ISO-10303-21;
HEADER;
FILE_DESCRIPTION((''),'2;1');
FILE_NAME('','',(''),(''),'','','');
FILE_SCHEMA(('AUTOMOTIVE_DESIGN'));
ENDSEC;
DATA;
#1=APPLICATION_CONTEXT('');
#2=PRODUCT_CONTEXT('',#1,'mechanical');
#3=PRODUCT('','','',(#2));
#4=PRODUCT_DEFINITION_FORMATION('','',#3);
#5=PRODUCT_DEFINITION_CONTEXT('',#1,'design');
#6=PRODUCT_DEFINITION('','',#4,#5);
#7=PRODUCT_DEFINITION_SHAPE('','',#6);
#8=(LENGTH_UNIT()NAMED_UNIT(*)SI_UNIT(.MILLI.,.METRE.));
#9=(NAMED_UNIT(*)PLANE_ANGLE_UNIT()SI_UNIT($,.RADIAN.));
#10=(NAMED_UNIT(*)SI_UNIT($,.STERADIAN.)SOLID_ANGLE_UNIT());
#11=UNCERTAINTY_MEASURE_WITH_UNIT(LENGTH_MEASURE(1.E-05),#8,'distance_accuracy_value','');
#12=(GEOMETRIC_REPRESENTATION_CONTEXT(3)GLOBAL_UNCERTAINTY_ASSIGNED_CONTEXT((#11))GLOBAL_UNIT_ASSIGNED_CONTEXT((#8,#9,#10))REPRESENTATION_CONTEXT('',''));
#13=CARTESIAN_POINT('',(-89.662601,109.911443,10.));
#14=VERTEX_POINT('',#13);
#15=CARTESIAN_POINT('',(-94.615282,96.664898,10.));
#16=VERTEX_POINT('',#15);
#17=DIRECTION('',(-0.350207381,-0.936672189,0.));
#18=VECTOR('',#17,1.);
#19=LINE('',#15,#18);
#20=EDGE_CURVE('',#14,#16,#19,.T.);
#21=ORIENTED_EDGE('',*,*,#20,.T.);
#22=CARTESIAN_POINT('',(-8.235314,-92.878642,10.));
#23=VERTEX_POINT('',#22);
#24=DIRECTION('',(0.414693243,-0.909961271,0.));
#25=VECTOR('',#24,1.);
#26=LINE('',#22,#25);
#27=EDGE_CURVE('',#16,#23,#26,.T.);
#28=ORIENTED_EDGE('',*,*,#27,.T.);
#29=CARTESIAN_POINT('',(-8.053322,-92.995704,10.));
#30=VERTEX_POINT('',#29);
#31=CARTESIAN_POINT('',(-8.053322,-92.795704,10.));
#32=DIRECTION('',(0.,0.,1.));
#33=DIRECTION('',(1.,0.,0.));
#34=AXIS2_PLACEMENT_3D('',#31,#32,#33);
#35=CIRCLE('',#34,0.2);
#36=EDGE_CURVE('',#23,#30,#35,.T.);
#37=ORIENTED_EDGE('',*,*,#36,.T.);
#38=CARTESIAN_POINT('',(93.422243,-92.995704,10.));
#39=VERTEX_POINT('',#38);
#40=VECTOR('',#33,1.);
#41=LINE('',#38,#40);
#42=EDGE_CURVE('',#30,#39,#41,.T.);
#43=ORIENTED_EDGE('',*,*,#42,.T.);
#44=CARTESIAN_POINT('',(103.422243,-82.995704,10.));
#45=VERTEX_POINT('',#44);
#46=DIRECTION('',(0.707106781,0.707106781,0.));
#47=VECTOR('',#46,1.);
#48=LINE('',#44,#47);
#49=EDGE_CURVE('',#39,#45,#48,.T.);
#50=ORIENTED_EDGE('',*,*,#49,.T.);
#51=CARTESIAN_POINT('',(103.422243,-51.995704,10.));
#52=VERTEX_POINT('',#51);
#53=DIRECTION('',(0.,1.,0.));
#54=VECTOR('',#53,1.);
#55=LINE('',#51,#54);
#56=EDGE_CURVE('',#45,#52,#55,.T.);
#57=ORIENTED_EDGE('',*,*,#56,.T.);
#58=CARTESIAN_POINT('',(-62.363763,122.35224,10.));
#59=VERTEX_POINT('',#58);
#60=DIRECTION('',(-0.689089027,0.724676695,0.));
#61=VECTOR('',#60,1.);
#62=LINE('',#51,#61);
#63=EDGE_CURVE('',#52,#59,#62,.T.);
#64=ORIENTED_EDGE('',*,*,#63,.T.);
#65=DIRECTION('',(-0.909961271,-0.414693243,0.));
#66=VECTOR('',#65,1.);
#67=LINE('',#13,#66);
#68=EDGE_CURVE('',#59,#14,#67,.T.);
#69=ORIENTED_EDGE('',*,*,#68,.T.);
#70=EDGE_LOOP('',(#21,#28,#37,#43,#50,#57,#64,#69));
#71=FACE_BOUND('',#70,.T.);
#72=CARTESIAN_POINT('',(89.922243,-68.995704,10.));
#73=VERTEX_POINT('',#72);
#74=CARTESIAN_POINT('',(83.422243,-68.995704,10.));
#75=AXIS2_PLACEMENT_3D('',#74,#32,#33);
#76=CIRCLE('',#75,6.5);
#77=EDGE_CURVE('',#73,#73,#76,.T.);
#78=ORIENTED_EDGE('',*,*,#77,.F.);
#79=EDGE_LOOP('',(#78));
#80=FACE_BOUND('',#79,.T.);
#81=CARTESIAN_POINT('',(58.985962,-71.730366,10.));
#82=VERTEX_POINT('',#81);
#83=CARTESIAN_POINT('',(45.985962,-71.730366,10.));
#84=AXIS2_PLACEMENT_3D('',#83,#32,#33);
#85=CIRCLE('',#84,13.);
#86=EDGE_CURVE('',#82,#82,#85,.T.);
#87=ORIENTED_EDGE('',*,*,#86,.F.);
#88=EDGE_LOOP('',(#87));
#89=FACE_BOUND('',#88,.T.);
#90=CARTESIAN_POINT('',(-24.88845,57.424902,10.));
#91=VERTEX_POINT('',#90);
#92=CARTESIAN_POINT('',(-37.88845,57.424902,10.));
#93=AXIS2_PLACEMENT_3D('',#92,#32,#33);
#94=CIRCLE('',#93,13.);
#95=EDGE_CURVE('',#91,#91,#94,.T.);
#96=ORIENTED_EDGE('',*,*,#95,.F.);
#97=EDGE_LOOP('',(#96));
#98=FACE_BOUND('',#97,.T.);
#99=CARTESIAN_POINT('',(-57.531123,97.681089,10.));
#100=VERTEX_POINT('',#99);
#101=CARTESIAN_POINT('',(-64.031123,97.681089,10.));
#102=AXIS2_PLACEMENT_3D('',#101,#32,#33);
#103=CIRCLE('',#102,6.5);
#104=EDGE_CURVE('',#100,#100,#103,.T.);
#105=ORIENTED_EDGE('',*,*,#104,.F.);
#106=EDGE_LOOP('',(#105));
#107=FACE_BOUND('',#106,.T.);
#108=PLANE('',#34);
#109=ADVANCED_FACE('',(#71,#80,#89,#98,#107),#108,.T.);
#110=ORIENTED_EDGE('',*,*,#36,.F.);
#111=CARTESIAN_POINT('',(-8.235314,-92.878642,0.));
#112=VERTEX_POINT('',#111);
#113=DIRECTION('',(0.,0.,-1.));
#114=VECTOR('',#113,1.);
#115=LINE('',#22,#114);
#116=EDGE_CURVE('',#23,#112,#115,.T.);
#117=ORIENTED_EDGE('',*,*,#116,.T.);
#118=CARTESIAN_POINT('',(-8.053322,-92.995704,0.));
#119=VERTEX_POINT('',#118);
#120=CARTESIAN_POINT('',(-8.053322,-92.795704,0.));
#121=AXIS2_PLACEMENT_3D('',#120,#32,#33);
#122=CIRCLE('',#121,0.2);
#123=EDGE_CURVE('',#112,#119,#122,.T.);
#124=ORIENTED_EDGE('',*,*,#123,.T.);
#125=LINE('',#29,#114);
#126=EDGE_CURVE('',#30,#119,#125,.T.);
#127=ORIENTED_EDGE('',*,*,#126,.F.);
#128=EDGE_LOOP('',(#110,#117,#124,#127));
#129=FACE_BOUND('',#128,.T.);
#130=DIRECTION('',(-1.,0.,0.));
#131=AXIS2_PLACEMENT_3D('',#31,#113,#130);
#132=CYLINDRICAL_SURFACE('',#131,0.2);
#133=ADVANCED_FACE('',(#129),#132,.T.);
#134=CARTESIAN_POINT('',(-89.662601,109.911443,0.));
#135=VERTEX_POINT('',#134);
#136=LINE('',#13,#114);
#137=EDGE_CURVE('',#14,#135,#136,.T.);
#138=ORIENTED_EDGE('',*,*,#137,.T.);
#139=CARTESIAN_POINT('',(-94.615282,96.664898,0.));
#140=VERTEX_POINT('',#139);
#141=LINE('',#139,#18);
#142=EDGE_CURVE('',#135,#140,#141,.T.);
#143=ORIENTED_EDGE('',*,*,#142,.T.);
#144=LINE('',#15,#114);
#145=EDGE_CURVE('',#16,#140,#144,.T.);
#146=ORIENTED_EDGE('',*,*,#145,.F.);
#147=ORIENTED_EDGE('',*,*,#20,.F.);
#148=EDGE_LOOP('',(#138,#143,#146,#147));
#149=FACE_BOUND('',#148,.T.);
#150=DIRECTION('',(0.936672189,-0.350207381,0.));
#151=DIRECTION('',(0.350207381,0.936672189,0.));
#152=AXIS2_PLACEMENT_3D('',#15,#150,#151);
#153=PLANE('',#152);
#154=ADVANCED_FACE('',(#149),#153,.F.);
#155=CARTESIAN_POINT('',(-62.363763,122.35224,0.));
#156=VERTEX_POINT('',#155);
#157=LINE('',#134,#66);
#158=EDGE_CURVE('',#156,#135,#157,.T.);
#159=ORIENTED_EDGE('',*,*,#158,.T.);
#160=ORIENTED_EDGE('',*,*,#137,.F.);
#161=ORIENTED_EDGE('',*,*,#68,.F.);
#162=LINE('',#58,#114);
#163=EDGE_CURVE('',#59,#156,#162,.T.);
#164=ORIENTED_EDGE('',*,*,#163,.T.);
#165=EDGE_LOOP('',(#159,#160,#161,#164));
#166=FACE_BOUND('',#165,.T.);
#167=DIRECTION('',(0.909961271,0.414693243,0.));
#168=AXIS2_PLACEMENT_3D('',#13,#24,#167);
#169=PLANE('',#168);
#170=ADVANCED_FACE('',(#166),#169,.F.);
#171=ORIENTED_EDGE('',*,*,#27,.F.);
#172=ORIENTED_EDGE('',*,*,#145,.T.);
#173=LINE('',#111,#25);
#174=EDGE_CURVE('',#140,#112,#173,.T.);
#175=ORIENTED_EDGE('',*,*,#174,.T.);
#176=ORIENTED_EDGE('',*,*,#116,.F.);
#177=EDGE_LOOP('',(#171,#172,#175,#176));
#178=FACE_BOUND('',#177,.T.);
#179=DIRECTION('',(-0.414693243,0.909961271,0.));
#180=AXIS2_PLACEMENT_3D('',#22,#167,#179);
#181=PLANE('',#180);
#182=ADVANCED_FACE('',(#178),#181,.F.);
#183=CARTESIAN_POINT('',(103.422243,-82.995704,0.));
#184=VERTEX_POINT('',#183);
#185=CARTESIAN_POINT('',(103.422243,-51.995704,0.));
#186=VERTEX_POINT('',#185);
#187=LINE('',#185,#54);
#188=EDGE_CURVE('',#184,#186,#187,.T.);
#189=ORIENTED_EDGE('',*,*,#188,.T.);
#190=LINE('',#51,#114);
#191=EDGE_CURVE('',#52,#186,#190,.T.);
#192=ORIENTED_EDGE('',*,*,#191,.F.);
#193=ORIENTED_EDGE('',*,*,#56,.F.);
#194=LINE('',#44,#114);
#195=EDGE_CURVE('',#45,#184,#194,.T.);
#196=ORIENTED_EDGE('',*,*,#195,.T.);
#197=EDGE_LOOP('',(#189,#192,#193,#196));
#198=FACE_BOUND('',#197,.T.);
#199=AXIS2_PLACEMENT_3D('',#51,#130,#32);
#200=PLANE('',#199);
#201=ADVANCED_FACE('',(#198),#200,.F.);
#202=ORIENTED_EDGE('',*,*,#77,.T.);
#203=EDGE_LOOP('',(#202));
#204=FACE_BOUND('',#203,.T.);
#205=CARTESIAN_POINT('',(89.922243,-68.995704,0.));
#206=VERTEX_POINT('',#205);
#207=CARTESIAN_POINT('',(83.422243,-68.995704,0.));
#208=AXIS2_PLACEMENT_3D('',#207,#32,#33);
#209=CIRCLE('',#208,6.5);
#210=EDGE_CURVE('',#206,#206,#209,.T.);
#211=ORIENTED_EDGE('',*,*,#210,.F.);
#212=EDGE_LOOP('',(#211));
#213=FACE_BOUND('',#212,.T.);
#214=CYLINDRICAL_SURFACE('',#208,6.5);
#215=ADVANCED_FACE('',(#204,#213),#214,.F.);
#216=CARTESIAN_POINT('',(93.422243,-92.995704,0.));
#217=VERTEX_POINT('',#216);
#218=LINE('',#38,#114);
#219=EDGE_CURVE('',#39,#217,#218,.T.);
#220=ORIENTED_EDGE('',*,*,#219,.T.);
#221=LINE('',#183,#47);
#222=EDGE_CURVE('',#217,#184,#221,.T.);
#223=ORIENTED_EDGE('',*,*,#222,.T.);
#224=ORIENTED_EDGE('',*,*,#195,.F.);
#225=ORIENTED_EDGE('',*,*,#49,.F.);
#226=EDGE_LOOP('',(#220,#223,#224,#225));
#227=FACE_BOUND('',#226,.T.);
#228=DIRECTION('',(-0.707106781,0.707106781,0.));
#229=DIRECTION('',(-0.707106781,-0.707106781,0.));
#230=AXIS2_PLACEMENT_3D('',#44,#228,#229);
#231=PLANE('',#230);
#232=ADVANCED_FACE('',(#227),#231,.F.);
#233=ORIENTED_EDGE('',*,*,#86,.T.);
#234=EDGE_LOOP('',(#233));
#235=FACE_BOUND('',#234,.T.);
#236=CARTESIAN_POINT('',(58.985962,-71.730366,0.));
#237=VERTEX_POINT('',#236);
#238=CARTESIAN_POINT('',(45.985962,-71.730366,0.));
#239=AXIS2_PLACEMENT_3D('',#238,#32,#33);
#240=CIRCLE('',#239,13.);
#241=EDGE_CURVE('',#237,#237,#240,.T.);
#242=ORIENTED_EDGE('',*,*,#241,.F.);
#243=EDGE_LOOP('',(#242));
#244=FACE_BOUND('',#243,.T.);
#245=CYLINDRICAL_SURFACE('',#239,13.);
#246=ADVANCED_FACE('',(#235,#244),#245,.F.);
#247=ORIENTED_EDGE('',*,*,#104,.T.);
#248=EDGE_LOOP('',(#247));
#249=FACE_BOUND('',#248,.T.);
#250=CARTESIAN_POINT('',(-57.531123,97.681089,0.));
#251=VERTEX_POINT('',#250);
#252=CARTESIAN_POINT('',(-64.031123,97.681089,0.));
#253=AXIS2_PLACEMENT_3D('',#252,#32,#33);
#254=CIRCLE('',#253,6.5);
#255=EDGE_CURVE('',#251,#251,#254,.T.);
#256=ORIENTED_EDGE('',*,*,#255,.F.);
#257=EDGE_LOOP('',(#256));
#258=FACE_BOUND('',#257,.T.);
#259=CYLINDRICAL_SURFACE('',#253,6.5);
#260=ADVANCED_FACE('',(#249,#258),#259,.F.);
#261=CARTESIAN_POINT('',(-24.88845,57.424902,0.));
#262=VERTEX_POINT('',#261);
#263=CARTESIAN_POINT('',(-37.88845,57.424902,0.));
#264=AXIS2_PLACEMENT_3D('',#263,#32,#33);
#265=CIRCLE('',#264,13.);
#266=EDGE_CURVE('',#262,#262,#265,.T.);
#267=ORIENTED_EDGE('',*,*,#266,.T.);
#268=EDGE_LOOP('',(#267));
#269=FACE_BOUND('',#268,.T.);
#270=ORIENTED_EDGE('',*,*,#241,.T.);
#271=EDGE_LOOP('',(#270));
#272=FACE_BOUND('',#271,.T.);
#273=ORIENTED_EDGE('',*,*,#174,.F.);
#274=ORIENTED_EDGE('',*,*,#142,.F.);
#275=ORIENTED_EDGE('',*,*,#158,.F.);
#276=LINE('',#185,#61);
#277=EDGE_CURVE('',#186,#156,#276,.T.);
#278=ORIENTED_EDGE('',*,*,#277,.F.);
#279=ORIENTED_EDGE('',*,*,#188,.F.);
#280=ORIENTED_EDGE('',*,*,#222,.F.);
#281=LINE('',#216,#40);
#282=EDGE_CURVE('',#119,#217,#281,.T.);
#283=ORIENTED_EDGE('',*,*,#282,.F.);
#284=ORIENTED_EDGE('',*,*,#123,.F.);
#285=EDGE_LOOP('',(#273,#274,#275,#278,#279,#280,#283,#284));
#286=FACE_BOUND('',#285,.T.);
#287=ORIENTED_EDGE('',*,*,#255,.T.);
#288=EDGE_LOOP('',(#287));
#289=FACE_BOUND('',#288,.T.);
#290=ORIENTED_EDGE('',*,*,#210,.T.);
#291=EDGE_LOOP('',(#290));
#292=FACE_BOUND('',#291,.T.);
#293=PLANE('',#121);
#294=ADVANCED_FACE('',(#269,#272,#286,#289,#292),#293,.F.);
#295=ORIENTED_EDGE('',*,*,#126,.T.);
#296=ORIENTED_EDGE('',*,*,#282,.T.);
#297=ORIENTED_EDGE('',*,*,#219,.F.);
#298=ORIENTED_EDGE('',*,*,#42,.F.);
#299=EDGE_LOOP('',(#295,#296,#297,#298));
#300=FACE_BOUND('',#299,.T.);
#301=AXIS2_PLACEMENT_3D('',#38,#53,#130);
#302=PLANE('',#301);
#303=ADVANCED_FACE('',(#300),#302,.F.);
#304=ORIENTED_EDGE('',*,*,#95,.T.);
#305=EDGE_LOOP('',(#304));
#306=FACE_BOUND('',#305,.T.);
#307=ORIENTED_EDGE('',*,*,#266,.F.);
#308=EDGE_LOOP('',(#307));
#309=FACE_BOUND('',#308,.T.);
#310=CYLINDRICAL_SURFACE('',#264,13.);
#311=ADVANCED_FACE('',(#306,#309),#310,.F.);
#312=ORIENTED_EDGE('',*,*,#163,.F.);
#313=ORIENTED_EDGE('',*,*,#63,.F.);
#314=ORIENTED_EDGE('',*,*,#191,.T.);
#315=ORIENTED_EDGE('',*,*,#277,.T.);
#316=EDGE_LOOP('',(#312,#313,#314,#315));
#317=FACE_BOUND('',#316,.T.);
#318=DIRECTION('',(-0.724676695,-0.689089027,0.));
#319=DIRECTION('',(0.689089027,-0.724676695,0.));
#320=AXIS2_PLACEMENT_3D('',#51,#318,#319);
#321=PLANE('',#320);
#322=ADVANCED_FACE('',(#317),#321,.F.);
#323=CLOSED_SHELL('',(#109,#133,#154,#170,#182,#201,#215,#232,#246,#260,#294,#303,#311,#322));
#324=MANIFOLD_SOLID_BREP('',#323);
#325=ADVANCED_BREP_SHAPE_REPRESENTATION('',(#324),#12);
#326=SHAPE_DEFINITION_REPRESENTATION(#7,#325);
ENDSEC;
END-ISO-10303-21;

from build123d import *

# Parameters (mm, degrees)
BOSS_EXTRUDE1_DEPTH = 10
SKETCH2_R           = 6.5
SKETCH2_R_2         = 13
CUT_EXTRUDE1_DEPTH  = 10


with BuildPart() as part:
    # Sketch1 → Boss-Extrude1 (new body)
    with BuildSketch(Plane.XY):
        with BuildLine():
            Line((103.422242509, -51.995703566), (103.422242509, -82.995703566))
            Line((103.422242509, -82.995703566), (93.422242509, -92.995703566))
            Line((93.422242509, -92.995703566), (-8.05332169, -92.995703566))
            ThreePointArc((-8.05332169, -92.995703566), (-8.161516585, -92.963911368), (-8.235313944, -92.878642214))
            Line((-8.235313944, -92.878642214), (-94.615281586, 96.66489756))
            Line((-94.615281586, 96.66489756), (-89.662601304, 109.911442695))
            Line((-89.662601304, 109.911442695), (-62.363763178, 122.352239975))
            Line((-62.363763178, 122.352239975), (103.422242509, -51.995703566))
        make_face()
    extrude(amount=BOSS_EXTRUDE1_DEPTH)

    # Sketch2 → Cut-Extrude1 (cut)
    with BuildSketch(Plane.XY.offset(10)):
        with Locations((83.422242509, -68.995703566)):
            Circle(SKETCH2_R)
        with Locations((-64.03112347, 97.68108884)):
            Circle(SKETCH2_R)
        with Locations((-37.88844979, 57.424901579)):
            Circle(SKETCH2_R_2)
        with Locations((45.985961603, -71.730365885)):
            Circle(SKETCH2_R_2)
    extrude(amount=-CUT_EXTRUDE1_DEPTH, mode=Mode.SUBTRACT)


solid = part.part
